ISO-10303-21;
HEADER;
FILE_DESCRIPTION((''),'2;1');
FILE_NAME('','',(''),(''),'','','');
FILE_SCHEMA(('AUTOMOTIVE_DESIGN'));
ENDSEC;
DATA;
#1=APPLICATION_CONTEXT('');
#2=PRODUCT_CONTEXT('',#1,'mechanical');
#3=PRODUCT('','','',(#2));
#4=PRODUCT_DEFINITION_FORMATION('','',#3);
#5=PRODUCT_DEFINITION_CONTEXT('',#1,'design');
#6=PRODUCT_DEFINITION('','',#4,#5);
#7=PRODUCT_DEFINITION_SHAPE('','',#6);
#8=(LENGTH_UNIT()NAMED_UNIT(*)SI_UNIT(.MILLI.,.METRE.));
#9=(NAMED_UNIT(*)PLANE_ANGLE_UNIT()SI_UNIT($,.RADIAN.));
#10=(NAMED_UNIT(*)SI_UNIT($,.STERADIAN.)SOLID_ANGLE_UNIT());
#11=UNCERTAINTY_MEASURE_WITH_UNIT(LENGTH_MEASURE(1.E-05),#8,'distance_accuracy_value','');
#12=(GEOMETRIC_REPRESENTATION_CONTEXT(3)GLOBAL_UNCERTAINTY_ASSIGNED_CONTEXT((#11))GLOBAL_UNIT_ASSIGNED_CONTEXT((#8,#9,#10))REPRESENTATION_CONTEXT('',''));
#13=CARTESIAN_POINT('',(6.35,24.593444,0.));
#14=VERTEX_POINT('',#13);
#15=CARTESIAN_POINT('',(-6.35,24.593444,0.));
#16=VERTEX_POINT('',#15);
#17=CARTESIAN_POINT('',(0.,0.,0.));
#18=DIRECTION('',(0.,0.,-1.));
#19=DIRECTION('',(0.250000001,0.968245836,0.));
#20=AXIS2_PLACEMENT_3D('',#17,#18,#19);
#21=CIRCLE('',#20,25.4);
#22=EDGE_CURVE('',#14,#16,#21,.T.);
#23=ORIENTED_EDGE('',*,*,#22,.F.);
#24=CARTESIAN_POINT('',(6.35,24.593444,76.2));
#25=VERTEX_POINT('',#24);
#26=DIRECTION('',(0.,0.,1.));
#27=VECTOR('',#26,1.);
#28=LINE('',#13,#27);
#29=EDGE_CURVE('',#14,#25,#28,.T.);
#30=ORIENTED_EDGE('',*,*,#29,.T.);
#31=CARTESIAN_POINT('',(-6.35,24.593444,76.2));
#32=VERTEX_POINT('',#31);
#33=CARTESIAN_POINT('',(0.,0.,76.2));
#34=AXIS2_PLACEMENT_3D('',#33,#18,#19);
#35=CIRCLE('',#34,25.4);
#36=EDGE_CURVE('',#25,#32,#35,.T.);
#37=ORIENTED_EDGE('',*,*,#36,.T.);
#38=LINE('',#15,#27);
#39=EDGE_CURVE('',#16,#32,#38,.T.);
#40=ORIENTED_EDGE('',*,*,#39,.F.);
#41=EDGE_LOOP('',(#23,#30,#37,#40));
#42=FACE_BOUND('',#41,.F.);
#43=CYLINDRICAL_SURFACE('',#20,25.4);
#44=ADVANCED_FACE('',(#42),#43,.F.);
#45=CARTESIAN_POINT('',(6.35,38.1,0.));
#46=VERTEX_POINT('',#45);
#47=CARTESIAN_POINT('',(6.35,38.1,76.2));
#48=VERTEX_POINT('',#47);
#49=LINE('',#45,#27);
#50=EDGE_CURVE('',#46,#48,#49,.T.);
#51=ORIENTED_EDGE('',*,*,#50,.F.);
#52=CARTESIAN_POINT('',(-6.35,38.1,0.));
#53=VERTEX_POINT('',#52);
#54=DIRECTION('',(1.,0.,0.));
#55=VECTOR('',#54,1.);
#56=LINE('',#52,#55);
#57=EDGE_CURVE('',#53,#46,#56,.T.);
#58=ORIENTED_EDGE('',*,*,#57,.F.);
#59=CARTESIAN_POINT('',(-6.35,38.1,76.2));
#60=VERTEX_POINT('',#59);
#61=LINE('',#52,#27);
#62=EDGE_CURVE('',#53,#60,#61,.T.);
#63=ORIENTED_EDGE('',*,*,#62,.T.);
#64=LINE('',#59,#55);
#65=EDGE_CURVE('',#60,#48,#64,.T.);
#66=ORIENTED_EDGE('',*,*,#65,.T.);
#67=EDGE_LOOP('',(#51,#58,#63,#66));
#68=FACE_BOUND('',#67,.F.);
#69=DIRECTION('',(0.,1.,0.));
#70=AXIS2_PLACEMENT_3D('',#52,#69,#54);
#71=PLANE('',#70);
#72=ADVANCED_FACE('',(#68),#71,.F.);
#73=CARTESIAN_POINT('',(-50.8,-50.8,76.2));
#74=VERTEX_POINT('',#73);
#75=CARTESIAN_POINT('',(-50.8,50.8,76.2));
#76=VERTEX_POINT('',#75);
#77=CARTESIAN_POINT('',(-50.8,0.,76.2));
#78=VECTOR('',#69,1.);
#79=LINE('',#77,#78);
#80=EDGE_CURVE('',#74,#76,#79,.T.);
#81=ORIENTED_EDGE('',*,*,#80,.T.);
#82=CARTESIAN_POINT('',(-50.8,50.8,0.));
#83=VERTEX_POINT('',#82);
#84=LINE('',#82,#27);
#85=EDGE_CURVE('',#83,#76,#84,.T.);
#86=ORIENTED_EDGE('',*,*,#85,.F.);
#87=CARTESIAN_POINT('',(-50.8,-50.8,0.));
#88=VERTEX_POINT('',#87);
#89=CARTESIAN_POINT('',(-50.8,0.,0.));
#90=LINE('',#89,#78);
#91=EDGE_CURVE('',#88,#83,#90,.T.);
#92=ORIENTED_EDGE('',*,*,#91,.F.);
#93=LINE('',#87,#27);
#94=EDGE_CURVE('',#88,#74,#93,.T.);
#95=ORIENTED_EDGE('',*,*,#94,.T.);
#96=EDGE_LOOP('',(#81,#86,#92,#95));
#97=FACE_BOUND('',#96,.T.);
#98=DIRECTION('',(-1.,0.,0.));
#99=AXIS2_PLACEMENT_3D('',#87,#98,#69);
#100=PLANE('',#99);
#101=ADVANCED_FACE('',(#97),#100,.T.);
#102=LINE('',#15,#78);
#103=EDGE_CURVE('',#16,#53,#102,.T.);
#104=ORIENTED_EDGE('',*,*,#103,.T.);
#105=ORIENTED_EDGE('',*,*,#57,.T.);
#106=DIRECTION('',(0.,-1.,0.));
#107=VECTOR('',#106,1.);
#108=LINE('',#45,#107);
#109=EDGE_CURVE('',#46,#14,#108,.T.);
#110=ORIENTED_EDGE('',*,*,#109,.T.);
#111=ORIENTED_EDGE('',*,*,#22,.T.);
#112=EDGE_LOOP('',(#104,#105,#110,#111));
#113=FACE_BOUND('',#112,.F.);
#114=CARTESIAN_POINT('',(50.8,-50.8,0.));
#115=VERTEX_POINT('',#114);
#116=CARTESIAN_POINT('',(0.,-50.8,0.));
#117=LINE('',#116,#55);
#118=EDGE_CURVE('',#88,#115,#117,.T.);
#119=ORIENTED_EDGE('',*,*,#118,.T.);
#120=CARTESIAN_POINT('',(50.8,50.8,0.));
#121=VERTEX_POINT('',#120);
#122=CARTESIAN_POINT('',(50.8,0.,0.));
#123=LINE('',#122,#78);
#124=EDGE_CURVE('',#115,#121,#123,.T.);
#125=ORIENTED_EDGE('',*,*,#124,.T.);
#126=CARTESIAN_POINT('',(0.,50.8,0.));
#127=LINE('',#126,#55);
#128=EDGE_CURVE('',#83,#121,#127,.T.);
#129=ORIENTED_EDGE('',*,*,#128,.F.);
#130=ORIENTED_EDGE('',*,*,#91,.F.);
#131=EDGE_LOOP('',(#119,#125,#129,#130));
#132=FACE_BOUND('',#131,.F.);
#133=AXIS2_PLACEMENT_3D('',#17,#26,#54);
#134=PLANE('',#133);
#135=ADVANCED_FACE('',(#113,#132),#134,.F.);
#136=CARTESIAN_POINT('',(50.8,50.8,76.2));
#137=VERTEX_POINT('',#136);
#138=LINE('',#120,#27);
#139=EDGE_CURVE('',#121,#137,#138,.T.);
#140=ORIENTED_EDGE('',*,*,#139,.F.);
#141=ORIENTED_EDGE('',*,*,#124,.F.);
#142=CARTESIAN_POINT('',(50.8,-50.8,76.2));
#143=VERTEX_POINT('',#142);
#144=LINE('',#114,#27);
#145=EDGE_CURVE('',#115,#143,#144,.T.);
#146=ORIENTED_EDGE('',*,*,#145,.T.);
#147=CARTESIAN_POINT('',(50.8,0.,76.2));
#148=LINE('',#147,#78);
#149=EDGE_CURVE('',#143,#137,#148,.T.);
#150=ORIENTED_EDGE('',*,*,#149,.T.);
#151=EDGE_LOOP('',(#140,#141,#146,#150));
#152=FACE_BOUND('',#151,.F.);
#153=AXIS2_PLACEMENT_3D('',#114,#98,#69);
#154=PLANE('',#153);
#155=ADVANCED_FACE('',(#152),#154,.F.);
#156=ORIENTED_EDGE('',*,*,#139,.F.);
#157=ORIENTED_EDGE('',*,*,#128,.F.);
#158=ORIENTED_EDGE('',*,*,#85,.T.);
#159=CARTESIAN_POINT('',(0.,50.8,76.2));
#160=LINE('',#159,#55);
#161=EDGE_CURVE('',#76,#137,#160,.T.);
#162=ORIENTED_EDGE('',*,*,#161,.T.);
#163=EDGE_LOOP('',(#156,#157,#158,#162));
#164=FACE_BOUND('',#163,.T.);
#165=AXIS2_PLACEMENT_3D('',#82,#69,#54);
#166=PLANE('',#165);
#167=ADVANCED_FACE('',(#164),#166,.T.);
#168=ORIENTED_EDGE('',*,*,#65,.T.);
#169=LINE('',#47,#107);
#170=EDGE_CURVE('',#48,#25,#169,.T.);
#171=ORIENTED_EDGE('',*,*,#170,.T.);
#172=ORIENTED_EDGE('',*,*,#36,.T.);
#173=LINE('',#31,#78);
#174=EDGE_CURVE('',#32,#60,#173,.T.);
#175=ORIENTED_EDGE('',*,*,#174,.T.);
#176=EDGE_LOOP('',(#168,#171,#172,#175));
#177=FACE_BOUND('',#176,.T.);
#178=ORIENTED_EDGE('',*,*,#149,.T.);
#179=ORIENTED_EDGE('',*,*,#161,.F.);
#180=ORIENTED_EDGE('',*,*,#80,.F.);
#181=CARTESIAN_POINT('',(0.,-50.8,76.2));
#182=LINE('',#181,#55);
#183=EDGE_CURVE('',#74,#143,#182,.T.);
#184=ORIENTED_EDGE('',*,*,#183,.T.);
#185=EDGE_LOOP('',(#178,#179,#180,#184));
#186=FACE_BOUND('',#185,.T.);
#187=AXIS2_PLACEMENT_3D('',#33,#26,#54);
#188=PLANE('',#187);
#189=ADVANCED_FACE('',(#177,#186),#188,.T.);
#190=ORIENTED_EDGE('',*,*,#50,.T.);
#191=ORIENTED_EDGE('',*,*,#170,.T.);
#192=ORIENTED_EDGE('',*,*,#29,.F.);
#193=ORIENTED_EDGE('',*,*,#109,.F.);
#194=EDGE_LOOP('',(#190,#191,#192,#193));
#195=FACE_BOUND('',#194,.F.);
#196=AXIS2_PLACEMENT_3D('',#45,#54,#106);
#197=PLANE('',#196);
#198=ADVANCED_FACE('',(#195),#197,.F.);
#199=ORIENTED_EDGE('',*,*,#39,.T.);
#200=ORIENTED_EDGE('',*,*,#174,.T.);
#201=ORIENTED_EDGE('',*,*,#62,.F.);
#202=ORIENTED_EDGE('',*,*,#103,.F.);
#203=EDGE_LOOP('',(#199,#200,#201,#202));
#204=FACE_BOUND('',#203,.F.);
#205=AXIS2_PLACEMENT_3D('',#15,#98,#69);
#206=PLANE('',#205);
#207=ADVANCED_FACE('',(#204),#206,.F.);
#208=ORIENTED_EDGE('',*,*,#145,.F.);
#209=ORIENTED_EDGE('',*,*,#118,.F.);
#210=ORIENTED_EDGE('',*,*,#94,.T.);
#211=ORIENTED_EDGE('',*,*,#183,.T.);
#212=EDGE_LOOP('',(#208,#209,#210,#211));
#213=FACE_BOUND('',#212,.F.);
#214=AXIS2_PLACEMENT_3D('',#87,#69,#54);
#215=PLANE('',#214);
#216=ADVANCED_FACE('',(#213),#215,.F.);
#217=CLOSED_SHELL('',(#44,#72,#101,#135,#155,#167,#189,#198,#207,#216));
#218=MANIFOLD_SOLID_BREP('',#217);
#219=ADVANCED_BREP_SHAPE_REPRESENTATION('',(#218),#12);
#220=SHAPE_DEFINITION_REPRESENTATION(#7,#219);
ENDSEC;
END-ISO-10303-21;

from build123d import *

# Parameters (mm, degrees)
F0_W     = 101.6
F0_H     = 101.6
F1_DEPTH = 76.2


with BuildPart() as f1:
    # F0 (on Top) → F1 (new body)
    with BuildSketch(Plane.XY):
        Rectangle(F0_W, F0_H)
        with BuildLine():
            Line((-6.35, 24.593444), (-6.35, 38.1))
            Line((-6.35, 38.1), (6.35, 38.1))
            Line((6.35, 38.1), (6.35, 24.593444))
            ThreePointArc((6.35, 24.593444), (0, -25.4), (-6.35, 24.593444))
        make_face(mode=Mode.SUBTRACT)
    extrude(amount=F1_DEPTH)


solid = f1.part
